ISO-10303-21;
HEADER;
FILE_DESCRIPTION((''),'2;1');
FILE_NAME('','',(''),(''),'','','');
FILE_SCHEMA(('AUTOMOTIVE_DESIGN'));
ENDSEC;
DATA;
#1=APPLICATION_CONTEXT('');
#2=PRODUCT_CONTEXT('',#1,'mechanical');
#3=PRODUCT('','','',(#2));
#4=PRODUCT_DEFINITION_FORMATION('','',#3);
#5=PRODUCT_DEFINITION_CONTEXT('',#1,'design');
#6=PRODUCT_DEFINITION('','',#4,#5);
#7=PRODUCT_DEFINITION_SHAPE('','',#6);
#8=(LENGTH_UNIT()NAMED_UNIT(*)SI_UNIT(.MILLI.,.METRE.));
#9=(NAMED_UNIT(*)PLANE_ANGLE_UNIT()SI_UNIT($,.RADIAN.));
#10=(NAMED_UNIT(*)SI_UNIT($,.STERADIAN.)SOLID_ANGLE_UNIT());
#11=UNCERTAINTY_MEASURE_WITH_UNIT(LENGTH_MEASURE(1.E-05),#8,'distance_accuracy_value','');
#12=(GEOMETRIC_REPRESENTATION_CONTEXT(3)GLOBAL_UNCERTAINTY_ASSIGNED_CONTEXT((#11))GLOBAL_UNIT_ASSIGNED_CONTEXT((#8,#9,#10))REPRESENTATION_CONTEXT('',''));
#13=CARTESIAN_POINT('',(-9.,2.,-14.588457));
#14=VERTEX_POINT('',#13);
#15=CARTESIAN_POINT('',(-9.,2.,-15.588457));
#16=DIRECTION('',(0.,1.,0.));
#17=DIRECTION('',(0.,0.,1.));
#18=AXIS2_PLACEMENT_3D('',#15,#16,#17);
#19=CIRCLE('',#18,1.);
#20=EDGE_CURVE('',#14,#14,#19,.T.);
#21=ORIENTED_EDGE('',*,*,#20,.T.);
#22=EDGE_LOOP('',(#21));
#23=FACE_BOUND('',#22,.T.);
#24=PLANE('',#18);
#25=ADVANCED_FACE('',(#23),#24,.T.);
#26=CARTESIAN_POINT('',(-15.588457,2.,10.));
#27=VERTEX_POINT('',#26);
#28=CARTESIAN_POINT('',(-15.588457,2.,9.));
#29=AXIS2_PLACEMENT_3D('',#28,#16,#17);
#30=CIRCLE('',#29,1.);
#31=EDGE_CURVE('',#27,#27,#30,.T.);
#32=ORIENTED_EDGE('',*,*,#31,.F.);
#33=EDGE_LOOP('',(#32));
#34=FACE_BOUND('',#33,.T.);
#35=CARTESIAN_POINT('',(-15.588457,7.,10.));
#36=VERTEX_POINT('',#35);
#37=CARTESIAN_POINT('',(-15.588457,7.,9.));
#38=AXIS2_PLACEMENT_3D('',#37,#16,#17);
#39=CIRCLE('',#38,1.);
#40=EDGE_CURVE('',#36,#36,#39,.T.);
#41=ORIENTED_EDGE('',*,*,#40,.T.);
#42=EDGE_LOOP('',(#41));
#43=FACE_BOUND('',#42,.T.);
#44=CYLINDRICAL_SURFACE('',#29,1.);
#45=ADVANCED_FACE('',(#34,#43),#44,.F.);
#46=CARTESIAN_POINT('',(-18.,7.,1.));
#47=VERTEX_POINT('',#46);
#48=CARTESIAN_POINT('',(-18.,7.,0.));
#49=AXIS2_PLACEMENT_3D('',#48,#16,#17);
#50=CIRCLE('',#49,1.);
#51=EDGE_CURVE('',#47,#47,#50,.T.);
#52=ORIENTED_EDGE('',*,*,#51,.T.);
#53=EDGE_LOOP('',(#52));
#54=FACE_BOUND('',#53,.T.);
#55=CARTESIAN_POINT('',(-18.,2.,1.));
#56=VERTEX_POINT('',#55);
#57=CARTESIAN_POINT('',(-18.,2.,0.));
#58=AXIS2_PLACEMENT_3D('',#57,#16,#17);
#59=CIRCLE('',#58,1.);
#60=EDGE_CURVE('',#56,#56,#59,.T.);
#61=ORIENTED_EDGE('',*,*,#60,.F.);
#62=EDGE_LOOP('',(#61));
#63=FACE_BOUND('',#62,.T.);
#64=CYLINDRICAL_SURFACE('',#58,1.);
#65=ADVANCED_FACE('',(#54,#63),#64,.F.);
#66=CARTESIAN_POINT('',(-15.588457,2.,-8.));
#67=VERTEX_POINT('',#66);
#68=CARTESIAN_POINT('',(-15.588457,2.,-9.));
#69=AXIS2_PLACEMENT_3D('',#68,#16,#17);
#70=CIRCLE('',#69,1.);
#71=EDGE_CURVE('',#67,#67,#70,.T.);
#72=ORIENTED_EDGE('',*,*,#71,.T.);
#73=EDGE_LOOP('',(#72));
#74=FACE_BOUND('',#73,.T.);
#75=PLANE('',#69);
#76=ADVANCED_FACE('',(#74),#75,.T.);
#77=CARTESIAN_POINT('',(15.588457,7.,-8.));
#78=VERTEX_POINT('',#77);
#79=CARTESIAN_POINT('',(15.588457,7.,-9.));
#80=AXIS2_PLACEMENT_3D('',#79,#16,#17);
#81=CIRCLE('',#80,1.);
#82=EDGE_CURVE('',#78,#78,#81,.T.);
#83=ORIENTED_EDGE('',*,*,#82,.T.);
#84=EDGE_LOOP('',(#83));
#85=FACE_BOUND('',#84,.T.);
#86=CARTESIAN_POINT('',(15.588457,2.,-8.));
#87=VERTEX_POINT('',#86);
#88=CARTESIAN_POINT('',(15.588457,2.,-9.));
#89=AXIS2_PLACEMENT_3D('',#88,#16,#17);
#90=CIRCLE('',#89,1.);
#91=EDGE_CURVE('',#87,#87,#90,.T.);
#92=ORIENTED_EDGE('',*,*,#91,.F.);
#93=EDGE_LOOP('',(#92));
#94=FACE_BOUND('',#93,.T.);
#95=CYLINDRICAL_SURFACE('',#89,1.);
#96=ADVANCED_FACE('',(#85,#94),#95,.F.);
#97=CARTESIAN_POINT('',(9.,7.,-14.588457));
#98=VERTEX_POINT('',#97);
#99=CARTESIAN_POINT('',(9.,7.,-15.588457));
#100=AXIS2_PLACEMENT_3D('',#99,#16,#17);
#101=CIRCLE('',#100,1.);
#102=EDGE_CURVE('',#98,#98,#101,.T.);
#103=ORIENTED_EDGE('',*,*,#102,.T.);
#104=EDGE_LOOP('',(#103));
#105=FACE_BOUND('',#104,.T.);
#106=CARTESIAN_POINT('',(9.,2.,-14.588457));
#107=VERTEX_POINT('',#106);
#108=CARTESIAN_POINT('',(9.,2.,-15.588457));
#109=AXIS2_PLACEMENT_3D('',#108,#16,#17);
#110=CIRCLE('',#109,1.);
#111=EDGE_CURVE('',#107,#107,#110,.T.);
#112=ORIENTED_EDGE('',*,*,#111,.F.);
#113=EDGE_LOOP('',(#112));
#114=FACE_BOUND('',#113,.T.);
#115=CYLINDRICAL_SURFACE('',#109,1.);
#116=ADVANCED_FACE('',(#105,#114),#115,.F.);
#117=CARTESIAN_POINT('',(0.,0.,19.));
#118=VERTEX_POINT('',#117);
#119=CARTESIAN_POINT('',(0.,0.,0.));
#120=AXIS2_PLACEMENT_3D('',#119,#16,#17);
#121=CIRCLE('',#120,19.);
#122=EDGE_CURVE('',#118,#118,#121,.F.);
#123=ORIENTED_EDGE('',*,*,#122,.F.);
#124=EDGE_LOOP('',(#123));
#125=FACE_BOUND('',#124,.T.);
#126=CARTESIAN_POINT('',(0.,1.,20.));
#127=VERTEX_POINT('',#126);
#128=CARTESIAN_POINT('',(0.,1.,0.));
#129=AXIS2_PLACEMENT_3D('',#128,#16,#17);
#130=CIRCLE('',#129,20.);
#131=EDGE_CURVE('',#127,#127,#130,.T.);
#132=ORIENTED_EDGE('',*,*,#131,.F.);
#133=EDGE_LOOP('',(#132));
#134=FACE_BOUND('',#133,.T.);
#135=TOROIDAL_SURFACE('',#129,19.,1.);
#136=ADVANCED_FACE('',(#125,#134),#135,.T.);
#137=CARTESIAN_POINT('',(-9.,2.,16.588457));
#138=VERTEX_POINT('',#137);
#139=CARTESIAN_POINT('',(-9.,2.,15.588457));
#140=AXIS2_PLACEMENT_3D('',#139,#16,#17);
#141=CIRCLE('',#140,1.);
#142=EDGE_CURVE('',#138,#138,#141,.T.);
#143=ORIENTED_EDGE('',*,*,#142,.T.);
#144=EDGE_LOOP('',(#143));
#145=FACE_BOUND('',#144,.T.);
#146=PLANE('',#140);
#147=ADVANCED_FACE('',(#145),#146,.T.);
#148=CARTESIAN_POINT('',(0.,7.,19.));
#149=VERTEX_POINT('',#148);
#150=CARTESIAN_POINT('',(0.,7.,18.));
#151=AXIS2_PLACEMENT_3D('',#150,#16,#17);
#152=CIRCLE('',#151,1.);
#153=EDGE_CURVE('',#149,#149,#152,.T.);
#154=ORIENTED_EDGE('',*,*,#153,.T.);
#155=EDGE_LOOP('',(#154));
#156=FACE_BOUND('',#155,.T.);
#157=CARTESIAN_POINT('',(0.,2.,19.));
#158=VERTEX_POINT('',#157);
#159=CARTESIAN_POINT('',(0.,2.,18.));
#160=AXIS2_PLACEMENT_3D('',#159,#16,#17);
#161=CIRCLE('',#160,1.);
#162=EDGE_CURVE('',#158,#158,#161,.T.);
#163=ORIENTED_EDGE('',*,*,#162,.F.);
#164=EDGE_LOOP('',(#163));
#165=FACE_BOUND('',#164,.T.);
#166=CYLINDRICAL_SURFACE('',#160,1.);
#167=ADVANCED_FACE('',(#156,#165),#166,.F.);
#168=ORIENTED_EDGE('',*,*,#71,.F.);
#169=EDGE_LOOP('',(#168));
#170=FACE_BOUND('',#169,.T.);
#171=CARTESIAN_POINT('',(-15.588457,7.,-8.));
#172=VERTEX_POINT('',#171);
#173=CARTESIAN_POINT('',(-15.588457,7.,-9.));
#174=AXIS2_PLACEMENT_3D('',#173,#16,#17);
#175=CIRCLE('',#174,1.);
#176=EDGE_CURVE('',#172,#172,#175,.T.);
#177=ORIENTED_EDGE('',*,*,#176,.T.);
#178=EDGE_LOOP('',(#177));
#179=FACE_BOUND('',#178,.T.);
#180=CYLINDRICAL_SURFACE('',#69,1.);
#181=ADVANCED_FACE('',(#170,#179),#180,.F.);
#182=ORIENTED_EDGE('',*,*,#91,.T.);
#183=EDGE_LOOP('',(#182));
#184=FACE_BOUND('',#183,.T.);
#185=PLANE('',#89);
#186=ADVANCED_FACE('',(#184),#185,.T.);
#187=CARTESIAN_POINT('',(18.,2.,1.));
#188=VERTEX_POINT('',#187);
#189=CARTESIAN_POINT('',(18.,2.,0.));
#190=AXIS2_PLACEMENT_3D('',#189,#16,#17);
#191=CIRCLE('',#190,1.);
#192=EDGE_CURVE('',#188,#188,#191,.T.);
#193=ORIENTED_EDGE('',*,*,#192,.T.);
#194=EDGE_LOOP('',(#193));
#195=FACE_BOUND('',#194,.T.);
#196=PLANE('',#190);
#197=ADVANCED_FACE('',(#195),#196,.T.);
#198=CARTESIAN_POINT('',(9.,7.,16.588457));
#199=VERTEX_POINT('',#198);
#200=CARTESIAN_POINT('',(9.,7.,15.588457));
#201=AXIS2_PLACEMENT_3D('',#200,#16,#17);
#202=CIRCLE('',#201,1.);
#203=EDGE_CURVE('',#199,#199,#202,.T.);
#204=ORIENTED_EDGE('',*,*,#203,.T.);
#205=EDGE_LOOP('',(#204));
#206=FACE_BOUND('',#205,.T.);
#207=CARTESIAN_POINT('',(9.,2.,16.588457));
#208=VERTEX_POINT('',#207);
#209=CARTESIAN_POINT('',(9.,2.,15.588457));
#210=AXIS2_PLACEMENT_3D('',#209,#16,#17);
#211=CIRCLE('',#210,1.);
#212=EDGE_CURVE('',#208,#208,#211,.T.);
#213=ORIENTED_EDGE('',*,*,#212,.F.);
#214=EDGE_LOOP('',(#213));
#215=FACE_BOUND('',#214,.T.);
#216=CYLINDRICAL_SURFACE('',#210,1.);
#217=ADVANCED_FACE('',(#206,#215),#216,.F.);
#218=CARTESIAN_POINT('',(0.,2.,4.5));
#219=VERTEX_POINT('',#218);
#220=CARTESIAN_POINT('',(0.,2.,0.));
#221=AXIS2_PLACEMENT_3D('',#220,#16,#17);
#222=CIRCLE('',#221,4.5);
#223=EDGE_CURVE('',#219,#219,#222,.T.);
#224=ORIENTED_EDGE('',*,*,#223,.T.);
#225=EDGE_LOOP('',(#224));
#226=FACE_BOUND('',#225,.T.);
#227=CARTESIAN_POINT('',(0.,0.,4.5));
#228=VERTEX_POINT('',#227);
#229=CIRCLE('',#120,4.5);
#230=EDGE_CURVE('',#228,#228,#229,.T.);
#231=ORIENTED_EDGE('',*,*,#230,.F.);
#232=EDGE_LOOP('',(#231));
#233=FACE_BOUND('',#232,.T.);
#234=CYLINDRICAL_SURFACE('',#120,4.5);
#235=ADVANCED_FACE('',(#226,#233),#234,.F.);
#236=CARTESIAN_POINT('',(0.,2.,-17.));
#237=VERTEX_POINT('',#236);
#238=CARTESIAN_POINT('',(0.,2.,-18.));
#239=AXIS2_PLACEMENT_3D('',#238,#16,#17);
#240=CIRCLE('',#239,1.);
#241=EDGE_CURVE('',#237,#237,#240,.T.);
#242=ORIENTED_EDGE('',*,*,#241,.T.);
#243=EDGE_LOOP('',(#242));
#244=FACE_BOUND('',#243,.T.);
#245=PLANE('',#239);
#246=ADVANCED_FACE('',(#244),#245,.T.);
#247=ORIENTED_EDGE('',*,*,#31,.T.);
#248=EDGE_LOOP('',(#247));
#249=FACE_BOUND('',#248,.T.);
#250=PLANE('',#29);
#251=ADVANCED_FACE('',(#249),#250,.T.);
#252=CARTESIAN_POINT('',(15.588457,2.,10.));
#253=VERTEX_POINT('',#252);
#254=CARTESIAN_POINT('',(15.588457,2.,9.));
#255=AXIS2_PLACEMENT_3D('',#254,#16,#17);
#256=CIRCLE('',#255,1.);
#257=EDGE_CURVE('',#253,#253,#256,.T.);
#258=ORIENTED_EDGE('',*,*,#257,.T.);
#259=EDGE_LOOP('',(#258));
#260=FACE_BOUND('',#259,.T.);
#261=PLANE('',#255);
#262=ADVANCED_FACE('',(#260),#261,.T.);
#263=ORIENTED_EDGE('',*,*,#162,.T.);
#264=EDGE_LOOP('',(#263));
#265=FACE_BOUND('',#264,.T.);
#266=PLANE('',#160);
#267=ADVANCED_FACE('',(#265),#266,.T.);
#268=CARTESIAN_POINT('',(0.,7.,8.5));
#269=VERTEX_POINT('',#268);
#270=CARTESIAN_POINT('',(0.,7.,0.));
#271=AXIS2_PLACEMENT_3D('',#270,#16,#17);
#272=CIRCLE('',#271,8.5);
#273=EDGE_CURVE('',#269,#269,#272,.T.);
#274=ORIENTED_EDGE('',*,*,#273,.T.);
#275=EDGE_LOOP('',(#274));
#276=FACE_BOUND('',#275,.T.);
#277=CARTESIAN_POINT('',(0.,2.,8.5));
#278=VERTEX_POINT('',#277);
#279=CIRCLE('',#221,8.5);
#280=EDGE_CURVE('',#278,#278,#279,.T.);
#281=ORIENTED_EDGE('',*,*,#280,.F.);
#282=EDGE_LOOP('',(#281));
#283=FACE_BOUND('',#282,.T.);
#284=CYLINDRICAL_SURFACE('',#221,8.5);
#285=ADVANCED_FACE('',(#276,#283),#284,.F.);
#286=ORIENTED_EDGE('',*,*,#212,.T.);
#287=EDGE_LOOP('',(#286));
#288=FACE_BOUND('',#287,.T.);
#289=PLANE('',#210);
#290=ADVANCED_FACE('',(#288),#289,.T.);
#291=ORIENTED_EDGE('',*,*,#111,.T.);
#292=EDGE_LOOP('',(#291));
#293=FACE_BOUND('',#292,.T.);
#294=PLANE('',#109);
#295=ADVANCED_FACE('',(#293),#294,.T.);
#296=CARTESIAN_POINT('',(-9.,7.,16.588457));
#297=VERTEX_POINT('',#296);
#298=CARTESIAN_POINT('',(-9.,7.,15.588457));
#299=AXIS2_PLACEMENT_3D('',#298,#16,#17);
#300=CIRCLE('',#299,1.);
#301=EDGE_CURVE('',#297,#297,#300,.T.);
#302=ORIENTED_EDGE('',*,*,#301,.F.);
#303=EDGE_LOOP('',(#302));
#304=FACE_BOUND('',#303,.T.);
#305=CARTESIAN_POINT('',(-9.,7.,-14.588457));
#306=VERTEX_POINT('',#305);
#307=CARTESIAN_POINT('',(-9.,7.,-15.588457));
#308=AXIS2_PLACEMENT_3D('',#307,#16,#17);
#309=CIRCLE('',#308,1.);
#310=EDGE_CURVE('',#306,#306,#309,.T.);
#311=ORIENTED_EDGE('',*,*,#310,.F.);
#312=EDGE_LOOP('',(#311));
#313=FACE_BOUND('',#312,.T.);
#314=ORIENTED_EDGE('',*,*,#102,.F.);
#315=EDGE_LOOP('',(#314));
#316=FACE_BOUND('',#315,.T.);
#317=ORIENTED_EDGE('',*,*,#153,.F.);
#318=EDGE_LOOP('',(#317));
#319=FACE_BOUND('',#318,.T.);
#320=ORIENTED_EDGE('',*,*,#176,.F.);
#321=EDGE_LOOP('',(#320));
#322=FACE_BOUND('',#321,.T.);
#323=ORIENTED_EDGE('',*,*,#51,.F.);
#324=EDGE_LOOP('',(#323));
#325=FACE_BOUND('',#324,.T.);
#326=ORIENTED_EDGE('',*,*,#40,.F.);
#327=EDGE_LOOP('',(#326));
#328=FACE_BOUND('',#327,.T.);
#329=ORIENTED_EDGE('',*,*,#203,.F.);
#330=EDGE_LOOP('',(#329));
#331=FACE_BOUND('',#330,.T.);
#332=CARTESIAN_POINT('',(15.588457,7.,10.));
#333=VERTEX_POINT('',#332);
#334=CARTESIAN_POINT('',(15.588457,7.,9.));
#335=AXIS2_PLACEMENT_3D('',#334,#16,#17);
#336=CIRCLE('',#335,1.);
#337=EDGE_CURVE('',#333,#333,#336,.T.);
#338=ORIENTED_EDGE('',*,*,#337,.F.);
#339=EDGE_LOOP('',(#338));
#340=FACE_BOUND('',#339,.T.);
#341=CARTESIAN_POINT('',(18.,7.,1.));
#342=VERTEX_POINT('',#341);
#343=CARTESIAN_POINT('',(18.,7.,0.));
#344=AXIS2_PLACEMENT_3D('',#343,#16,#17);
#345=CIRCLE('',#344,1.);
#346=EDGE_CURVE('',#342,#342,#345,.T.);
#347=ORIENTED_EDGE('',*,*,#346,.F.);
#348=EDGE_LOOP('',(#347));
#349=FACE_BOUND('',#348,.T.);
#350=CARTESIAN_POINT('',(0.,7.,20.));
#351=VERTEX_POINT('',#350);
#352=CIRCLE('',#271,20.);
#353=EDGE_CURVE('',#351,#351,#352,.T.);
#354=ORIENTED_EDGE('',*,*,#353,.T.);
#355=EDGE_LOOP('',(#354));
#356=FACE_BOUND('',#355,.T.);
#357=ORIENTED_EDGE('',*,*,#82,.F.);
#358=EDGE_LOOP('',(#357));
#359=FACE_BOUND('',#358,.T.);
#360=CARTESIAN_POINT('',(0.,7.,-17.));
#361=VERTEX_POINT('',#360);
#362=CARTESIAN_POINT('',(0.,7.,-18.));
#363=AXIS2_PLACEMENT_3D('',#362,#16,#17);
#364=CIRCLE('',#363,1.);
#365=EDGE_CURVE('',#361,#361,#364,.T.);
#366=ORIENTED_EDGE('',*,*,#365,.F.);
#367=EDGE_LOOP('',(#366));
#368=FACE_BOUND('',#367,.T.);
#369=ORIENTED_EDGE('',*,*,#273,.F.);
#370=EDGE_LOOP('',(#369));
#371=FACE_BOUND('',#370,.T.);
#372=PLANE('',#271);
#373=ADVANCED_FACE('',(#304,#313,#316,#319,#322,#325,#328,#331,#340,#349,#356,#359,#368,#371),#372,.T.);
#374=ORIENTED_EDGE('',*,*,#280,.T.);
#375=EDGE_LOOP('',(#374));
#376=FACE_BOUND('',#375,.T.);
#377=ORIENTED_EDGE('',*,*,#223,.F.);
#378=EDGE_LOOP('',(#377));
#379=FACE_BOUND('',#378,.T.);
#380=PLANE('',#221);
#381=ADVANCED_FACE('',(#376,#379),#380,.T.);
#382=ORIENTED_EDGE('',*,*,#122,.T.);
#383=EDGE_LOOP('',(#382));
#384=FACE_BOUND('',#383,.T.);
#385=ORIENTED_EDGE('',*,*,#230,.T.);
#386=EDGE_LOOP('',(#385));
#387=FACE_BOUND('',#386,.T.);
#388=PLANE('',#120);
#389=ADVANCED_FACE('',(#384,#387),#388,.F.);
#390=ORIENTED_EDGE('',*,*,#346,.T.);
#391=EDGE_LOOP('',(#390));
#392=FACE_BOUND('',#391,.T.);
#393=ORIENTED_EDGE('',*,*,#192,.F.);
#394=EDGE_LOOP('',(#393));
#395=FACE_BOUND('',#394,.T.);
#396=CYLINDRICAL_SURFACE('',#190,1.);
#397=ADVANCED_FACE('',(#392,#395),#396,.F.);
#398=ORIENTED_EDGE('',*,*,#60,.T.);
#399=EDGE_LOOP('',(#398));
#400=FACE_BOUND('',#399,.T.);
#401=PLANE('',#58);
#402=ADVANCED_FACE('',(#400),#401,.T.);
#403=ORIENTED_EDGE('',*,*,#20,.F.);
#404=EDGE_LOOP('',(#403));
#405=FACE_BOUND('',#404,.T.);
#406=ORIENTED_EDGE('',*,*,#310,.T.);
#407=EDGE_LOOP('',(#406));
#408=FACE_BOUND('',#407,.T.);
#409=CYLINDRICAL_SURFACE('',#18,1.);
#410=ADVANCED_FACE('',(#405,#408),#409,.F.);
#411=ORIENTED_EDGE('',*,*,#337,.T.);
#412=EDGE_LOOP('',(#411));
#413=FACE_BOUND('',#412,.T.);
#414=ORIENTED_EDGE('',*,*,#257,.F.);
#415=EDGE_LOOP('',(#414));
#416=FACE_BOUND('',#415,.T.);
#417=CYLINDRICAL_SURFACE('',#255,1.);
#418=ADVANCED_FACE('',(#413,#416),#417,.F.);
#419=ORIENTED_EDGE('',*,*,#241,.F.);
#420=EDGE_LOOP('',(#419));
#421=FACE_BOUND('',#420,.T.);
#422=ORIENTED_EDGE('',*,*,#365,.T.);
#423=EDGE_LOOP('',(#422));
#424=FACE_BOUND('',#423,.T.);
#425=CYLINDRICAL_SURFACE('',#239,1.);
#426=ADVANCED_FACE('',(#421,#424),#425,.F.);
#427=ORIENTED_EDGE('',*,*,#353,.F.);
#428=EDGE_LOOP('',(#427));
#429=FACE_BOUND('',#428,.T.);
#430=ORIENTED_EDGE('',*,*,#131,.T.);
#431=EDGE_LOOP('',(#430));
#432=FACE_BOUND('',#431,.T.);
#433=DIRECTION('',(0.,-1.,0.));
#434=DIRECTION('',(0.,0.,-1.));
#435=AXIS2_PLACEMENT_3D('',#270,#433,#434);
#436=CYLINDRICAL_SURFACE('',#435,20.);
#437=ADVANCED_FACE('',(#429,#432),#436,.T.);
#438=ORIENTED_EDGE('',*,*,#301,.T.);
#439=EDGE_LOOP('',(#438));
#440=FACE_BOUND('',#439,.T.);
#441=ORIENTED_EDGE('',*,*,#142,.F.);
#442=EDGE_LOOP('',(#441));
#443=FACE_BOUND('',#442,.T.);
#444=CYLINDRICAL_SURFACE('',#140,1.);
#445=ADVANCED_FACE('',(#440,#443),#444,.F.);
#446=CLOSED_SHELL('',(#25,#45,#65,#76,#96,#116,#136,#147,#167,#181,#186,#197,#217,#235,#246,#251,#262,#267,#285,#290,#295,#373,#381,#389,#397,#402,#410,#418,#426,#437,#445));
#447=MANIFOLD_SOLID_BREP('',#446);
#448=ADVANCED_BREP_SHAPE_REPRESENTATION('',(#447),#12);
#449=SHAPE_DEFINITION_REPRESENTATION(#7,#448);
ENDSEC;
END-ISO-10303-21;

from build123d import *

# Parameters (mm, degrees)
SKETCH1_R           = 20
BOSS_EXTRUDE1_DEPTH = 7
SKETCH2_R           = 8.5
CUT_EXTRUDE1_DEPTH  = 5
SKETCH3_R           = 4.5
CUT_EXTRUDE2_DEPTH  = 29.722813233
SKETCH4_R           = 1
CUT_EXTRUDE3_DEPTH  = 5
FILLET1_R           = 1


with BuildPart() as part:
    # Sketch1 → Boss-Extrude1 (new body)
    with BuildSketch(Plane(origin=(0, 0, 0), x_dir=(1, 0, 0), z_dir=(0, 1, 0))):
        with Locations(Location((0, 0, 0), (0, 0, 270))):
            Circle(SKETCH1_R)
    extrude(amount=BOSS_EXTRUDE1_DEPTH)

    # Sketch2 → Cut-Extrude1 (cut)
    with BuildSketch(Plane(origin=(0, 7, 0), x_dir=(1, 0, 0), z_dir=(0, 1, 0))):
        with Locations(Location((0, 0, 0), (0, 0, 270))):
            Circle(SKETCH2_R)
    extrude(amount=-CUT_EXTRUDE1_DEPTH, mode=Mode.SUBTRACT)

    # Sketch3 → Cut-Extrude2 (cut, through all)
    with BuildSketch(Plane(origin=(0, 2, 0), x_dir=(1, 0, 0), z_dir=(0, 1, 0))):
        with Locations(Location((0, 0, 0), (0, 0, 270))):
            Circle(SKETCH3_R)
    extrude(amount=-CUT_EXTRUDE2_DEPTH, mode=Mode.SUBTRACT)

    # Sketch4 → Cut-Extrude3 (cut)
    with BuildSketch(Plane(origin=(0, 7, 0), x_dir=(1, 0, 0), z_dir=(0, 1, 0))):
        with Locations(Location((0, 18, 0), (0, 0, 270))):
            Circle(SKETCH4_R)
        with Locations(Location((9, 15.588457268, 0), (0, 0, 270))):
            Circle(SKETCH4_R)
        with Locations(Location((15.588457268, 9, 0), (0, 0, 270))):
            Circle(SKETCH4_R)
        with Locations(Location((18, 0, 0), (0, 0, 270))):
            Circle(SKETCH4_R)
        with Locations(Location((15.588457268, -9, 0), (0, 0, 270))):
            Circle(SKETCH4_R)
        with Locations(Location((9, -15.588457268, 0), (0, 0, 270))):
            Circle(SKETCH4_R)
        with Locations(Location((0, -18, 0), (0, 0, 270))):
            Circle(SKETCH4_R)
        with Locations(Location((-9, -15.588457268, 0), (0, 0, 270))):
            Circle(SKETCH4_R)
        with Locations(Location((-15.588457268, -9, 0), (0, 0, 270))):
            Circle(SKETCH4_R)
        with Locations(Location((-18, 0, 0), (0, 0, 270))):
            Circle(SKETCH4_R)
        with Locations(Location((-15.588457268, 9, 0), (0, 0, 270))):
            Circle(SKETCH4_R)
        with Locations(Location((-9, 15.588457268, 0), (0, 0, 270))):
            Circle(SKETCH4_R)
    extrude(amount=-CUT_EXTRUDE3_DEPTH, mode=Mode.SUBTRACT)

    # Fillet1
    fillet1_edges = [part.edges().sort_by_distance(p)[0] for p in [
        (0, 0, -20),
    ]]
    fillet(fillet1_edges, radius=FILLET1_R)


solid = part.part
